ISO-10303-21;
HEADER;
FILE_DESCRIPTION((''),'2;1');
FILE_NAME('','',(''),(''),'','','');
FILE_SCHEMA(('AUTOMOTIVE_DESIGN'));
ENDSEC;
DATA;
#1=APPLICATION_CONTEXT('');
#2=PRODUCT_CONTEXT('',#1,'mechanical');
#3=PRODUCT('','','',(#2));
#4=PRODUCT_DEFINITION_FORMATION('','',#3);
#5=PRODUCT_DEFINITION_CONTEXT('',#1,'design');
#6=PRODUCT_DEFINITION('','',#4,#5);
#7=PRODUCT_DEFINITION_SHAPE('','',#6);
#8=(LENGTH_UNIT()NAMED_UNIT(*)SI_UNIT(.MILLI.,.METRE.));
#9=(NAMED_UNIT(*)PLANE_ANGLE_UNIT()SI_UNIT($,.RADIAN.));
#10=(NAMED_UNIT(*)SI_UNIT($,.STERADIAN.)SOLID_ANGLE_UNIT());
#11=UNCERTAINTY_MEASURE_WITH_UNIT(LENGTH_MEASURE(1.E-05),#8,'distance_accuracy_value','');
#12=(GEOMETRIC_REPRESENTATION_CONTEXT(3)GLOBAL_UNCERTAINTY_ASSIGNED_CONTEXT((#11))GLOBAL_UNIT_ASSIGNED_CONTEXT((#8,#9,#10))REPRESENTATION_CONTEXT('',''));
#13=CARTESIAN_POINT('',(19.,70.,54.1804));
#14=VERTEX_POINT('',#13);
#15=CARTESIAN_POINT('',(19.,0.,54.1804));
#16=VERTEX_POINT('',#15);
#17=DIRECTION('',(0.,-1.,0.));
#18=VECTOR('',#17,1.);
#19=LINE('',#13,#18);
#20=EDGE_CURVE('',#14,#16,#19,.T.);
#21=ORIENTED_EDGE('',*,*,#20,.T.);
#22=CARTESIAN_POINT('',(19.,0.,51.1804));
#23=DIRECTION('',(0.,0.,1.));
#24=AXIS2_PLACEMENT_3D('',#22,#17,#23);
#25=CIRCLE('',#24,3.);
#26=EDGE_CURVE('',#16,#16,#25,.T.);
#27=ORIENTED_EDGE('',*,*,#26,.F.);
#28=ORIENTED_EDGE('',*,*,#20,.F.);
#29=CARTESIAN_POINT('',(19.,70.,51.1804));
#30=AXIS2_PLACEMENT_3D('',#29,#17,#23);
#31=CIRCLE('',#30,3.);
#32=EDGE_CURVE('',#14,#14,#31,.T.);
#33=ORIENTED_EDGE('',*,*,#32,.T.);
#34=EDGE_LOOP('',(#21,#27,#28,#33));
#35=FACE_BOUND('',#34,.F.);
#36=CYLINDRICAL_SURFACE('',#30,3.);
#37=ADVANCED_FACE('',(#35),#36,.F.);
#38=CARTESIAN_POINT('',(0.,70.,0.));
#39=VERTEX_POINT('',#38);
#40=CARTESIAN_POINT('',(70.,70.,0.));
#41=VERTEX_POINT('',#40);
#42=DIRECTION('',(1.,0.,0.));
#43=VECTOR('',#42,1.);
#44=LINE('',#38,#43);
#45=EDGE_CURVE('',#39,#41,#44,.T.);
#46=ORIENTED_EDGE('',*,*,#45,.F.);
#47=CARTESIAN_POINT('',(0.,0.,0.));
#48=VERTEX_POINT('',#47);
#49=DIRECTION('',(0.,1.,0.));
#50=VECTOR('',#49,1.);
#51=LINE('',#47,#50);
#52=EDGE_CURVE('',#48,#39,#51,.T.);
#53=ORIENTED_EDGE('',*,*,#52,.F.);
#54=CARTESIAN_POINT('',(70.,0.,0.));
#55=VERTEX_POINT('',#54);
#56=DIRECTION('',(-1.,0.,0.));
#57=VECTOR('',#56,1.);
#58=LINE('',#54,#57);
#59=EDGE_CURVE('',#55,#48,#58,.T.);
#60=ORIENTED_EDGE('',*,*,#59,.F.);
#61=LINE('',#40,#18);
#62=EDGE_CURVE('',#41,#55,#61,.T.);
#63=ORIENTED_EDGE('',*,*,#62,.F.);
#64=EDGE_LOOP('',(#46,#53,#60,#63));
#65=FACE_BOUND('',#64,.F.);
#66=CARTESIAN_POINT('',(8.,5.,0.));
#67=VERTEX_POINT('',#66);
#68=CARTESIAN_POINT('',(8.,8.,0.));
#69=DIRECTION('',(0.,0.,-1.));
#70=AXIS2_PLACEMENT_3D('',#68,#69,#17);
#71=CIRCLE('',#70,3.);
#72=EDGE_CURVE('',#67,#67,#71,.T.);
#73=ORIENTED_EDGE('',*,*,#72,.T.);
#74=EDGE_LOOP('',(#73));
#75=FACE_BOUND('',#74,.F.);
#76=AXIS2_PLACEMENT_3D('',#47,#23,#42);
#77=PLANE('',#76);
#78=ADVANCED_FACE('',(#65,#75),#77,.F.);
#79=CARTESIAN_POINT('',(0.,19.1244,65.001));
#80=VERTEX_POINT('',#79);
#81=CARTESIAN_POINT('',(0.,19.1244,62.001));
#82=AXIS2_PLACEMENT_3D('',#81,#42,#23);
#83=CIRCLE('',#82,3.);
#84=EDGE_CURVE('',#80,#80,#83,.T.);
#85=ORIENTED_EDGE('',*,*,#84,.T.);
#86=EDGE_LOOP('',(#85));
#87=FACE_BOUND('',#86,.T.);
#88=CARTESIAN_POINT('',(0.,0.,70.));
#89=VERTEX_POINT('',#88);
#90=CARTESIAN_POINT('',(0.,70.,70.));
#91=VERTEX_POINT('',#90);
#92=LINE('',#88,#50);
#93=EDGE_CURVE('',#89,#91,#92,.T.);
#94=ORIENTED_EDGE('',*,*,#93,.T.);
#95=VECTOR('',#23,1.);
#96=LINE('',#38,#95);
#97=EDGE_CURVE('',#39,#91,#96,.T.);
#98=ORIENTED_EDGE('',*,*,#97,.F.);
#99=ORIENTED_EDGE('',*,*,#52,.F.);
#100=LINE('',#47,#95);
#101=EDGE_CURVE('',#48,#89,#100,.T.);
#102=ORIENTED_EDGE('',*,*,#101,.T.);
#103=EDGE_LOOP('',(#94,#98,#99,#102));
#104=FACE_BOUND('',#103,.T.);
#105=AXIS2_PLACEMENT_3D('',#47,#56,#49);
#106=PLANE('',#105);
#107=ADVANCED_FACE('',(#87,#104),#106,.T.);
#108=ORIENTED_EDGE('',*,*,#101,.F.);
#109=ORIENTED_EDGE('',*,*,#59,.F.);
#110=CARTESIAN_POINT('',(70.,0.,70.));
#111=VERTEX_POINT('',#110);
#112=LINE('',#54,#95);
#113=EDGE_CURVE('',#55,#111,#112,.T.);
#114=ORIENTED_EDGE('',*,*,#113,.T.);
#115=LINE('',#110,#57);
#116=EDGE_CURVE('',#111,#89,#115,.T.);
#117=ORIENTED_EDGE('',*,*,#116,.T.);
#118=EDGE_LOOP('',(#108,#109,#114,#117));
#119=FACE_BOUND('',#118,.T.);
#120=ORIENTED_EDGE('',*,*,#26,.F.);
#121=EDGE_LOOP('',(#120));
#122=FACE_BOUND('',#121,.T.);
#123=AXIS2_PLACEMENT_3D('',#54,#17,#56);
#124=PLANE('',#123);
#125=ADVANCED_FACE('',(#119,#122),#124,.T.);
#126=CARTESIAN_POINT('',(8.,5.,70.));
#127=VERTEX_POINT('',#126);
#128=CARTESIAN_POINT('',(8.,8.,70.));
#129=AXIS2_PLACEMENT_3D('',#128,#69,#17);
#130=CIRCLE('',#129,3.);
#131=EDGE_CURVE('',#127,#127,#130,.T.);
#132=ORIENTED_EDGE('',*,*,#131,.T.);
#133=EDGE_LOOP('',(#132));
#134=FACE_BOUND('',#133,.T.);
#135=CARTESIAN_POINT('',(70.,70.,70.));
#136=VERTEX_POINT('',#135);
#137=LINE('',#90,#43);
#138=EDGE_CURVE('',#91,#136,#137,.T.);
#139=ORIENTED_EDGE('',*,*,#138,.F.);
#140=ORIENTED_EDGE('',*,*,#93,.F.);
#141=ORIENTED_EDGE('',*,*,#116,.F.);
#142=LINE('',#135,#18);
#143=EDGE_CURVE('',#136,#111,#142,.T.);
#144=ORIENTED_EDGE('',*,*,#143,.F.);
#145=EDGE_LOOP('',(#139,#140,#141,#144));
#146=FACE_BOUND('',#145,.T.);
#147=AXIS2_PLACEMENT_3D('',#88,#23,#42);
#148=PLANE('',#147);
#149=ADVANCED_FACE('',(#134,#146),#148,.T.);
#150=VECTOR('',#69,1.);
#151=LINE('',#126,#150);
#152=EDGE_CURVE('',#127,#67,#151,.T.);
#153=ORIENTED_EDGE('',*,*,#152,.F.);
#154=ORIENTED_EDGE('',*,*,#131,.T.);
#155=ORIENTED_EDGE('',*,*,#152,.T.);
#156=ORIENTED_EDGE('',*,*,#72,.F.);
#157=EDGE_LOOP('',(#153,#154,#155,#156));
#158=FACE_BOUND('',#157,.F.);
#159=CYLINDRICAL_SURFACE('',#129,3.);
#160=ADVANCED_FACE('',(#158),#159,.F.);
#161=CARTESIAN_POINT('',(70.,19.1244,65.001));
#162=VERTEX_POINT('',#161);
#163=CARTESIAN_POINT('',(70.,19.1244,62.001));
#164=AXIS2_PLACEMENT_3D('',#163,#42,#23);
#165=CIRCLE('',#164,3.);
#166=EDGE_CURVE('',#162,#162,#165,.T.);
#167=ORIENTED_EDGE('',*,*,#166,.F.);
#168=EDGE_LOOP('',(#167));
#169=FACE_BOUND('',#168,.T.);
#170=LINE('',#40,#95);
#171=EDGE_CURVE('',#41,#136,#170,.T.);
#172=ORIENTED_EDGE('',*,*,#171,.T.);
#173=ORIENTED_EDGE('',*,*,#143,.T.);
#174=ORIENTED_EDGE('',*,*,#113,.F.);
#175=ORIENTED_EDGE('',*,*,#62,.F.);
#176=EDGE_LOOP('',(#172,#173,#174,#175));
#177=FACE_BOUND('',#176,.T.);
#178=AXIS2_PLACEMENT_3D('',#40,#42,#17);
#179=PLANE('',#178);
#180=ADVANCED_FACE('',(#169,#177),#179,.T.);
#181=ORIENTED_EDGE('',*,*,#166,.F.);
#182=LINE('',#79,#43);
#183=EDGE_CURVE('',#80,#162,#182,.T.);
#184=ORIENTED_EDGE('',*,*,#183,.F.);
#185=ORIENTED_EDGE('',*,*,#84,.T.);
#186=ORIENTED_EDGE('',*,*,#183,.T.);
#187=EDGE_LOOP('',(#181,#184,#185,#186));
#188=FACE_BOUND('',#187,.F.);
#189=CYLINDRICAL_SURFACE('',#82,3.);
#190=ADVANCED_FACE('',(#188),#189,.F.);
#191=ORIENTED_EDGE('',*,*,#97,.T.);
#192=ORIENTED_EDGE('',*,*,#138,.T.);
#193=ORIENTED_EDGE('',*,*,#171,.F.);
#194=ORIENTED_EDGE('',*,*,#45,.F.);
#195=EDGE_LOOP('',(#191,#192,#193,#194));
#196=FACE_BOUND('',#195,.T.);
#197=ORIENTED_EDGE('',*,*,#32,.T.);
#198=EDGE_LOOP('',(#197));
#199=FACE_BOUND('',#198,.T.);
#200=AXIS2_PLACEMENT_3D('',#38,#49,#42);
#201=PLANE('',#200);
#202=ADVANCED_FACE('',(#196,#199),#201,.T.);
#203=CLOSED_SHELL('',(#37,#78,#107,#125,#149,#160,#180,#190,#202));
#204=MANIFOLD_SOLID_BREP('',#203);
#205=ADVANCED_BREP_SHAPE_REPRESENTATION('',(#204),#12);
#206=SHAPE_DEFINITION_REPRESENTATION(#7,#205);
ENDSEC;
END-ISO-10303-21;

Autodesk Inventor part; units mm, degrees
ref_plane "YZ Plane" through (0, 0, 0) normal (1, 0, 0) x (0, 1, 0)
ref_plane "XZ Plane" through (0, 0, 0) normal (0, 1, 0) x (-1, 0, 0)
ref_plane "XY Plane" through (0, 0, 0) normal (0, 0, 1) x (1, 0, 0)
sketch "Sketch1" plane through (0, 0, 0) normal (0, 0, 1) x (1, 0, 0)
  line L0 (0, 0) -> (0, 70)
  line L1 (0, 70) -> (70, 70)
  line L2 (70, 70) -> (70, 0)
  line L3 (70, 0) -> (0, 0)
  dimension "d0" = 70
  dimension "d1" = 70
extrude "Extrusion1" add sketch "Sketch1" along normal blind 70
sketch "Sketch2" plane through (0, 0, 70) normal (0, 0, 1) x (1, 0, 0)
  circle A0 centre (8, 8) radius 3
  dimension "d6" = 6
hole "Hole1" at (8, 8, 70) direction (0, 0, -1) diameter 6 end through all
sketch "Sketch3" plane through (0, 0, 0) normal (-1, 0, 0) x (0, 0, 1)
  line L0 (69.699, 0) -> (70, 18.9976)
  line L1 (70, 70) -> (70, 0) projected
  line L2 (70, 18.9976) -> (62.001, 19.1244)
  circle A0 centre (62.001, 19.1244) radius 3
  point P0 (0, 0)
  dimension "d14" = 19
  dimension "d15" = 8
  dimension "d16" = 6
hole "Hole2" at (0, 19.1244, 62.001) direction (1, 0, 0) diameter 6 end through all
sketch "Sketch4" plane through (0, 70, 0) normal (0, 1, 0) x (1, 0, 0)
  line L0 (0, -70.1804) -> (0, -51.1804)
  line L1 (0, 0) -> (0, -70) projected
  line L2 (0, -51.1804) -> (19, -51.1804)
  circle A0 centre (19, -51.1804) radius 3
  dimension "d24" = 19
  dimension "d25" = 19
  dimension "d26" = 6
hole "Hole3" at (19, 70, 51.1804) direction (0, -1, 0) diameter 6 end through all
properties part number "Bundhjørne1" material "PC/ABS Plastic"
